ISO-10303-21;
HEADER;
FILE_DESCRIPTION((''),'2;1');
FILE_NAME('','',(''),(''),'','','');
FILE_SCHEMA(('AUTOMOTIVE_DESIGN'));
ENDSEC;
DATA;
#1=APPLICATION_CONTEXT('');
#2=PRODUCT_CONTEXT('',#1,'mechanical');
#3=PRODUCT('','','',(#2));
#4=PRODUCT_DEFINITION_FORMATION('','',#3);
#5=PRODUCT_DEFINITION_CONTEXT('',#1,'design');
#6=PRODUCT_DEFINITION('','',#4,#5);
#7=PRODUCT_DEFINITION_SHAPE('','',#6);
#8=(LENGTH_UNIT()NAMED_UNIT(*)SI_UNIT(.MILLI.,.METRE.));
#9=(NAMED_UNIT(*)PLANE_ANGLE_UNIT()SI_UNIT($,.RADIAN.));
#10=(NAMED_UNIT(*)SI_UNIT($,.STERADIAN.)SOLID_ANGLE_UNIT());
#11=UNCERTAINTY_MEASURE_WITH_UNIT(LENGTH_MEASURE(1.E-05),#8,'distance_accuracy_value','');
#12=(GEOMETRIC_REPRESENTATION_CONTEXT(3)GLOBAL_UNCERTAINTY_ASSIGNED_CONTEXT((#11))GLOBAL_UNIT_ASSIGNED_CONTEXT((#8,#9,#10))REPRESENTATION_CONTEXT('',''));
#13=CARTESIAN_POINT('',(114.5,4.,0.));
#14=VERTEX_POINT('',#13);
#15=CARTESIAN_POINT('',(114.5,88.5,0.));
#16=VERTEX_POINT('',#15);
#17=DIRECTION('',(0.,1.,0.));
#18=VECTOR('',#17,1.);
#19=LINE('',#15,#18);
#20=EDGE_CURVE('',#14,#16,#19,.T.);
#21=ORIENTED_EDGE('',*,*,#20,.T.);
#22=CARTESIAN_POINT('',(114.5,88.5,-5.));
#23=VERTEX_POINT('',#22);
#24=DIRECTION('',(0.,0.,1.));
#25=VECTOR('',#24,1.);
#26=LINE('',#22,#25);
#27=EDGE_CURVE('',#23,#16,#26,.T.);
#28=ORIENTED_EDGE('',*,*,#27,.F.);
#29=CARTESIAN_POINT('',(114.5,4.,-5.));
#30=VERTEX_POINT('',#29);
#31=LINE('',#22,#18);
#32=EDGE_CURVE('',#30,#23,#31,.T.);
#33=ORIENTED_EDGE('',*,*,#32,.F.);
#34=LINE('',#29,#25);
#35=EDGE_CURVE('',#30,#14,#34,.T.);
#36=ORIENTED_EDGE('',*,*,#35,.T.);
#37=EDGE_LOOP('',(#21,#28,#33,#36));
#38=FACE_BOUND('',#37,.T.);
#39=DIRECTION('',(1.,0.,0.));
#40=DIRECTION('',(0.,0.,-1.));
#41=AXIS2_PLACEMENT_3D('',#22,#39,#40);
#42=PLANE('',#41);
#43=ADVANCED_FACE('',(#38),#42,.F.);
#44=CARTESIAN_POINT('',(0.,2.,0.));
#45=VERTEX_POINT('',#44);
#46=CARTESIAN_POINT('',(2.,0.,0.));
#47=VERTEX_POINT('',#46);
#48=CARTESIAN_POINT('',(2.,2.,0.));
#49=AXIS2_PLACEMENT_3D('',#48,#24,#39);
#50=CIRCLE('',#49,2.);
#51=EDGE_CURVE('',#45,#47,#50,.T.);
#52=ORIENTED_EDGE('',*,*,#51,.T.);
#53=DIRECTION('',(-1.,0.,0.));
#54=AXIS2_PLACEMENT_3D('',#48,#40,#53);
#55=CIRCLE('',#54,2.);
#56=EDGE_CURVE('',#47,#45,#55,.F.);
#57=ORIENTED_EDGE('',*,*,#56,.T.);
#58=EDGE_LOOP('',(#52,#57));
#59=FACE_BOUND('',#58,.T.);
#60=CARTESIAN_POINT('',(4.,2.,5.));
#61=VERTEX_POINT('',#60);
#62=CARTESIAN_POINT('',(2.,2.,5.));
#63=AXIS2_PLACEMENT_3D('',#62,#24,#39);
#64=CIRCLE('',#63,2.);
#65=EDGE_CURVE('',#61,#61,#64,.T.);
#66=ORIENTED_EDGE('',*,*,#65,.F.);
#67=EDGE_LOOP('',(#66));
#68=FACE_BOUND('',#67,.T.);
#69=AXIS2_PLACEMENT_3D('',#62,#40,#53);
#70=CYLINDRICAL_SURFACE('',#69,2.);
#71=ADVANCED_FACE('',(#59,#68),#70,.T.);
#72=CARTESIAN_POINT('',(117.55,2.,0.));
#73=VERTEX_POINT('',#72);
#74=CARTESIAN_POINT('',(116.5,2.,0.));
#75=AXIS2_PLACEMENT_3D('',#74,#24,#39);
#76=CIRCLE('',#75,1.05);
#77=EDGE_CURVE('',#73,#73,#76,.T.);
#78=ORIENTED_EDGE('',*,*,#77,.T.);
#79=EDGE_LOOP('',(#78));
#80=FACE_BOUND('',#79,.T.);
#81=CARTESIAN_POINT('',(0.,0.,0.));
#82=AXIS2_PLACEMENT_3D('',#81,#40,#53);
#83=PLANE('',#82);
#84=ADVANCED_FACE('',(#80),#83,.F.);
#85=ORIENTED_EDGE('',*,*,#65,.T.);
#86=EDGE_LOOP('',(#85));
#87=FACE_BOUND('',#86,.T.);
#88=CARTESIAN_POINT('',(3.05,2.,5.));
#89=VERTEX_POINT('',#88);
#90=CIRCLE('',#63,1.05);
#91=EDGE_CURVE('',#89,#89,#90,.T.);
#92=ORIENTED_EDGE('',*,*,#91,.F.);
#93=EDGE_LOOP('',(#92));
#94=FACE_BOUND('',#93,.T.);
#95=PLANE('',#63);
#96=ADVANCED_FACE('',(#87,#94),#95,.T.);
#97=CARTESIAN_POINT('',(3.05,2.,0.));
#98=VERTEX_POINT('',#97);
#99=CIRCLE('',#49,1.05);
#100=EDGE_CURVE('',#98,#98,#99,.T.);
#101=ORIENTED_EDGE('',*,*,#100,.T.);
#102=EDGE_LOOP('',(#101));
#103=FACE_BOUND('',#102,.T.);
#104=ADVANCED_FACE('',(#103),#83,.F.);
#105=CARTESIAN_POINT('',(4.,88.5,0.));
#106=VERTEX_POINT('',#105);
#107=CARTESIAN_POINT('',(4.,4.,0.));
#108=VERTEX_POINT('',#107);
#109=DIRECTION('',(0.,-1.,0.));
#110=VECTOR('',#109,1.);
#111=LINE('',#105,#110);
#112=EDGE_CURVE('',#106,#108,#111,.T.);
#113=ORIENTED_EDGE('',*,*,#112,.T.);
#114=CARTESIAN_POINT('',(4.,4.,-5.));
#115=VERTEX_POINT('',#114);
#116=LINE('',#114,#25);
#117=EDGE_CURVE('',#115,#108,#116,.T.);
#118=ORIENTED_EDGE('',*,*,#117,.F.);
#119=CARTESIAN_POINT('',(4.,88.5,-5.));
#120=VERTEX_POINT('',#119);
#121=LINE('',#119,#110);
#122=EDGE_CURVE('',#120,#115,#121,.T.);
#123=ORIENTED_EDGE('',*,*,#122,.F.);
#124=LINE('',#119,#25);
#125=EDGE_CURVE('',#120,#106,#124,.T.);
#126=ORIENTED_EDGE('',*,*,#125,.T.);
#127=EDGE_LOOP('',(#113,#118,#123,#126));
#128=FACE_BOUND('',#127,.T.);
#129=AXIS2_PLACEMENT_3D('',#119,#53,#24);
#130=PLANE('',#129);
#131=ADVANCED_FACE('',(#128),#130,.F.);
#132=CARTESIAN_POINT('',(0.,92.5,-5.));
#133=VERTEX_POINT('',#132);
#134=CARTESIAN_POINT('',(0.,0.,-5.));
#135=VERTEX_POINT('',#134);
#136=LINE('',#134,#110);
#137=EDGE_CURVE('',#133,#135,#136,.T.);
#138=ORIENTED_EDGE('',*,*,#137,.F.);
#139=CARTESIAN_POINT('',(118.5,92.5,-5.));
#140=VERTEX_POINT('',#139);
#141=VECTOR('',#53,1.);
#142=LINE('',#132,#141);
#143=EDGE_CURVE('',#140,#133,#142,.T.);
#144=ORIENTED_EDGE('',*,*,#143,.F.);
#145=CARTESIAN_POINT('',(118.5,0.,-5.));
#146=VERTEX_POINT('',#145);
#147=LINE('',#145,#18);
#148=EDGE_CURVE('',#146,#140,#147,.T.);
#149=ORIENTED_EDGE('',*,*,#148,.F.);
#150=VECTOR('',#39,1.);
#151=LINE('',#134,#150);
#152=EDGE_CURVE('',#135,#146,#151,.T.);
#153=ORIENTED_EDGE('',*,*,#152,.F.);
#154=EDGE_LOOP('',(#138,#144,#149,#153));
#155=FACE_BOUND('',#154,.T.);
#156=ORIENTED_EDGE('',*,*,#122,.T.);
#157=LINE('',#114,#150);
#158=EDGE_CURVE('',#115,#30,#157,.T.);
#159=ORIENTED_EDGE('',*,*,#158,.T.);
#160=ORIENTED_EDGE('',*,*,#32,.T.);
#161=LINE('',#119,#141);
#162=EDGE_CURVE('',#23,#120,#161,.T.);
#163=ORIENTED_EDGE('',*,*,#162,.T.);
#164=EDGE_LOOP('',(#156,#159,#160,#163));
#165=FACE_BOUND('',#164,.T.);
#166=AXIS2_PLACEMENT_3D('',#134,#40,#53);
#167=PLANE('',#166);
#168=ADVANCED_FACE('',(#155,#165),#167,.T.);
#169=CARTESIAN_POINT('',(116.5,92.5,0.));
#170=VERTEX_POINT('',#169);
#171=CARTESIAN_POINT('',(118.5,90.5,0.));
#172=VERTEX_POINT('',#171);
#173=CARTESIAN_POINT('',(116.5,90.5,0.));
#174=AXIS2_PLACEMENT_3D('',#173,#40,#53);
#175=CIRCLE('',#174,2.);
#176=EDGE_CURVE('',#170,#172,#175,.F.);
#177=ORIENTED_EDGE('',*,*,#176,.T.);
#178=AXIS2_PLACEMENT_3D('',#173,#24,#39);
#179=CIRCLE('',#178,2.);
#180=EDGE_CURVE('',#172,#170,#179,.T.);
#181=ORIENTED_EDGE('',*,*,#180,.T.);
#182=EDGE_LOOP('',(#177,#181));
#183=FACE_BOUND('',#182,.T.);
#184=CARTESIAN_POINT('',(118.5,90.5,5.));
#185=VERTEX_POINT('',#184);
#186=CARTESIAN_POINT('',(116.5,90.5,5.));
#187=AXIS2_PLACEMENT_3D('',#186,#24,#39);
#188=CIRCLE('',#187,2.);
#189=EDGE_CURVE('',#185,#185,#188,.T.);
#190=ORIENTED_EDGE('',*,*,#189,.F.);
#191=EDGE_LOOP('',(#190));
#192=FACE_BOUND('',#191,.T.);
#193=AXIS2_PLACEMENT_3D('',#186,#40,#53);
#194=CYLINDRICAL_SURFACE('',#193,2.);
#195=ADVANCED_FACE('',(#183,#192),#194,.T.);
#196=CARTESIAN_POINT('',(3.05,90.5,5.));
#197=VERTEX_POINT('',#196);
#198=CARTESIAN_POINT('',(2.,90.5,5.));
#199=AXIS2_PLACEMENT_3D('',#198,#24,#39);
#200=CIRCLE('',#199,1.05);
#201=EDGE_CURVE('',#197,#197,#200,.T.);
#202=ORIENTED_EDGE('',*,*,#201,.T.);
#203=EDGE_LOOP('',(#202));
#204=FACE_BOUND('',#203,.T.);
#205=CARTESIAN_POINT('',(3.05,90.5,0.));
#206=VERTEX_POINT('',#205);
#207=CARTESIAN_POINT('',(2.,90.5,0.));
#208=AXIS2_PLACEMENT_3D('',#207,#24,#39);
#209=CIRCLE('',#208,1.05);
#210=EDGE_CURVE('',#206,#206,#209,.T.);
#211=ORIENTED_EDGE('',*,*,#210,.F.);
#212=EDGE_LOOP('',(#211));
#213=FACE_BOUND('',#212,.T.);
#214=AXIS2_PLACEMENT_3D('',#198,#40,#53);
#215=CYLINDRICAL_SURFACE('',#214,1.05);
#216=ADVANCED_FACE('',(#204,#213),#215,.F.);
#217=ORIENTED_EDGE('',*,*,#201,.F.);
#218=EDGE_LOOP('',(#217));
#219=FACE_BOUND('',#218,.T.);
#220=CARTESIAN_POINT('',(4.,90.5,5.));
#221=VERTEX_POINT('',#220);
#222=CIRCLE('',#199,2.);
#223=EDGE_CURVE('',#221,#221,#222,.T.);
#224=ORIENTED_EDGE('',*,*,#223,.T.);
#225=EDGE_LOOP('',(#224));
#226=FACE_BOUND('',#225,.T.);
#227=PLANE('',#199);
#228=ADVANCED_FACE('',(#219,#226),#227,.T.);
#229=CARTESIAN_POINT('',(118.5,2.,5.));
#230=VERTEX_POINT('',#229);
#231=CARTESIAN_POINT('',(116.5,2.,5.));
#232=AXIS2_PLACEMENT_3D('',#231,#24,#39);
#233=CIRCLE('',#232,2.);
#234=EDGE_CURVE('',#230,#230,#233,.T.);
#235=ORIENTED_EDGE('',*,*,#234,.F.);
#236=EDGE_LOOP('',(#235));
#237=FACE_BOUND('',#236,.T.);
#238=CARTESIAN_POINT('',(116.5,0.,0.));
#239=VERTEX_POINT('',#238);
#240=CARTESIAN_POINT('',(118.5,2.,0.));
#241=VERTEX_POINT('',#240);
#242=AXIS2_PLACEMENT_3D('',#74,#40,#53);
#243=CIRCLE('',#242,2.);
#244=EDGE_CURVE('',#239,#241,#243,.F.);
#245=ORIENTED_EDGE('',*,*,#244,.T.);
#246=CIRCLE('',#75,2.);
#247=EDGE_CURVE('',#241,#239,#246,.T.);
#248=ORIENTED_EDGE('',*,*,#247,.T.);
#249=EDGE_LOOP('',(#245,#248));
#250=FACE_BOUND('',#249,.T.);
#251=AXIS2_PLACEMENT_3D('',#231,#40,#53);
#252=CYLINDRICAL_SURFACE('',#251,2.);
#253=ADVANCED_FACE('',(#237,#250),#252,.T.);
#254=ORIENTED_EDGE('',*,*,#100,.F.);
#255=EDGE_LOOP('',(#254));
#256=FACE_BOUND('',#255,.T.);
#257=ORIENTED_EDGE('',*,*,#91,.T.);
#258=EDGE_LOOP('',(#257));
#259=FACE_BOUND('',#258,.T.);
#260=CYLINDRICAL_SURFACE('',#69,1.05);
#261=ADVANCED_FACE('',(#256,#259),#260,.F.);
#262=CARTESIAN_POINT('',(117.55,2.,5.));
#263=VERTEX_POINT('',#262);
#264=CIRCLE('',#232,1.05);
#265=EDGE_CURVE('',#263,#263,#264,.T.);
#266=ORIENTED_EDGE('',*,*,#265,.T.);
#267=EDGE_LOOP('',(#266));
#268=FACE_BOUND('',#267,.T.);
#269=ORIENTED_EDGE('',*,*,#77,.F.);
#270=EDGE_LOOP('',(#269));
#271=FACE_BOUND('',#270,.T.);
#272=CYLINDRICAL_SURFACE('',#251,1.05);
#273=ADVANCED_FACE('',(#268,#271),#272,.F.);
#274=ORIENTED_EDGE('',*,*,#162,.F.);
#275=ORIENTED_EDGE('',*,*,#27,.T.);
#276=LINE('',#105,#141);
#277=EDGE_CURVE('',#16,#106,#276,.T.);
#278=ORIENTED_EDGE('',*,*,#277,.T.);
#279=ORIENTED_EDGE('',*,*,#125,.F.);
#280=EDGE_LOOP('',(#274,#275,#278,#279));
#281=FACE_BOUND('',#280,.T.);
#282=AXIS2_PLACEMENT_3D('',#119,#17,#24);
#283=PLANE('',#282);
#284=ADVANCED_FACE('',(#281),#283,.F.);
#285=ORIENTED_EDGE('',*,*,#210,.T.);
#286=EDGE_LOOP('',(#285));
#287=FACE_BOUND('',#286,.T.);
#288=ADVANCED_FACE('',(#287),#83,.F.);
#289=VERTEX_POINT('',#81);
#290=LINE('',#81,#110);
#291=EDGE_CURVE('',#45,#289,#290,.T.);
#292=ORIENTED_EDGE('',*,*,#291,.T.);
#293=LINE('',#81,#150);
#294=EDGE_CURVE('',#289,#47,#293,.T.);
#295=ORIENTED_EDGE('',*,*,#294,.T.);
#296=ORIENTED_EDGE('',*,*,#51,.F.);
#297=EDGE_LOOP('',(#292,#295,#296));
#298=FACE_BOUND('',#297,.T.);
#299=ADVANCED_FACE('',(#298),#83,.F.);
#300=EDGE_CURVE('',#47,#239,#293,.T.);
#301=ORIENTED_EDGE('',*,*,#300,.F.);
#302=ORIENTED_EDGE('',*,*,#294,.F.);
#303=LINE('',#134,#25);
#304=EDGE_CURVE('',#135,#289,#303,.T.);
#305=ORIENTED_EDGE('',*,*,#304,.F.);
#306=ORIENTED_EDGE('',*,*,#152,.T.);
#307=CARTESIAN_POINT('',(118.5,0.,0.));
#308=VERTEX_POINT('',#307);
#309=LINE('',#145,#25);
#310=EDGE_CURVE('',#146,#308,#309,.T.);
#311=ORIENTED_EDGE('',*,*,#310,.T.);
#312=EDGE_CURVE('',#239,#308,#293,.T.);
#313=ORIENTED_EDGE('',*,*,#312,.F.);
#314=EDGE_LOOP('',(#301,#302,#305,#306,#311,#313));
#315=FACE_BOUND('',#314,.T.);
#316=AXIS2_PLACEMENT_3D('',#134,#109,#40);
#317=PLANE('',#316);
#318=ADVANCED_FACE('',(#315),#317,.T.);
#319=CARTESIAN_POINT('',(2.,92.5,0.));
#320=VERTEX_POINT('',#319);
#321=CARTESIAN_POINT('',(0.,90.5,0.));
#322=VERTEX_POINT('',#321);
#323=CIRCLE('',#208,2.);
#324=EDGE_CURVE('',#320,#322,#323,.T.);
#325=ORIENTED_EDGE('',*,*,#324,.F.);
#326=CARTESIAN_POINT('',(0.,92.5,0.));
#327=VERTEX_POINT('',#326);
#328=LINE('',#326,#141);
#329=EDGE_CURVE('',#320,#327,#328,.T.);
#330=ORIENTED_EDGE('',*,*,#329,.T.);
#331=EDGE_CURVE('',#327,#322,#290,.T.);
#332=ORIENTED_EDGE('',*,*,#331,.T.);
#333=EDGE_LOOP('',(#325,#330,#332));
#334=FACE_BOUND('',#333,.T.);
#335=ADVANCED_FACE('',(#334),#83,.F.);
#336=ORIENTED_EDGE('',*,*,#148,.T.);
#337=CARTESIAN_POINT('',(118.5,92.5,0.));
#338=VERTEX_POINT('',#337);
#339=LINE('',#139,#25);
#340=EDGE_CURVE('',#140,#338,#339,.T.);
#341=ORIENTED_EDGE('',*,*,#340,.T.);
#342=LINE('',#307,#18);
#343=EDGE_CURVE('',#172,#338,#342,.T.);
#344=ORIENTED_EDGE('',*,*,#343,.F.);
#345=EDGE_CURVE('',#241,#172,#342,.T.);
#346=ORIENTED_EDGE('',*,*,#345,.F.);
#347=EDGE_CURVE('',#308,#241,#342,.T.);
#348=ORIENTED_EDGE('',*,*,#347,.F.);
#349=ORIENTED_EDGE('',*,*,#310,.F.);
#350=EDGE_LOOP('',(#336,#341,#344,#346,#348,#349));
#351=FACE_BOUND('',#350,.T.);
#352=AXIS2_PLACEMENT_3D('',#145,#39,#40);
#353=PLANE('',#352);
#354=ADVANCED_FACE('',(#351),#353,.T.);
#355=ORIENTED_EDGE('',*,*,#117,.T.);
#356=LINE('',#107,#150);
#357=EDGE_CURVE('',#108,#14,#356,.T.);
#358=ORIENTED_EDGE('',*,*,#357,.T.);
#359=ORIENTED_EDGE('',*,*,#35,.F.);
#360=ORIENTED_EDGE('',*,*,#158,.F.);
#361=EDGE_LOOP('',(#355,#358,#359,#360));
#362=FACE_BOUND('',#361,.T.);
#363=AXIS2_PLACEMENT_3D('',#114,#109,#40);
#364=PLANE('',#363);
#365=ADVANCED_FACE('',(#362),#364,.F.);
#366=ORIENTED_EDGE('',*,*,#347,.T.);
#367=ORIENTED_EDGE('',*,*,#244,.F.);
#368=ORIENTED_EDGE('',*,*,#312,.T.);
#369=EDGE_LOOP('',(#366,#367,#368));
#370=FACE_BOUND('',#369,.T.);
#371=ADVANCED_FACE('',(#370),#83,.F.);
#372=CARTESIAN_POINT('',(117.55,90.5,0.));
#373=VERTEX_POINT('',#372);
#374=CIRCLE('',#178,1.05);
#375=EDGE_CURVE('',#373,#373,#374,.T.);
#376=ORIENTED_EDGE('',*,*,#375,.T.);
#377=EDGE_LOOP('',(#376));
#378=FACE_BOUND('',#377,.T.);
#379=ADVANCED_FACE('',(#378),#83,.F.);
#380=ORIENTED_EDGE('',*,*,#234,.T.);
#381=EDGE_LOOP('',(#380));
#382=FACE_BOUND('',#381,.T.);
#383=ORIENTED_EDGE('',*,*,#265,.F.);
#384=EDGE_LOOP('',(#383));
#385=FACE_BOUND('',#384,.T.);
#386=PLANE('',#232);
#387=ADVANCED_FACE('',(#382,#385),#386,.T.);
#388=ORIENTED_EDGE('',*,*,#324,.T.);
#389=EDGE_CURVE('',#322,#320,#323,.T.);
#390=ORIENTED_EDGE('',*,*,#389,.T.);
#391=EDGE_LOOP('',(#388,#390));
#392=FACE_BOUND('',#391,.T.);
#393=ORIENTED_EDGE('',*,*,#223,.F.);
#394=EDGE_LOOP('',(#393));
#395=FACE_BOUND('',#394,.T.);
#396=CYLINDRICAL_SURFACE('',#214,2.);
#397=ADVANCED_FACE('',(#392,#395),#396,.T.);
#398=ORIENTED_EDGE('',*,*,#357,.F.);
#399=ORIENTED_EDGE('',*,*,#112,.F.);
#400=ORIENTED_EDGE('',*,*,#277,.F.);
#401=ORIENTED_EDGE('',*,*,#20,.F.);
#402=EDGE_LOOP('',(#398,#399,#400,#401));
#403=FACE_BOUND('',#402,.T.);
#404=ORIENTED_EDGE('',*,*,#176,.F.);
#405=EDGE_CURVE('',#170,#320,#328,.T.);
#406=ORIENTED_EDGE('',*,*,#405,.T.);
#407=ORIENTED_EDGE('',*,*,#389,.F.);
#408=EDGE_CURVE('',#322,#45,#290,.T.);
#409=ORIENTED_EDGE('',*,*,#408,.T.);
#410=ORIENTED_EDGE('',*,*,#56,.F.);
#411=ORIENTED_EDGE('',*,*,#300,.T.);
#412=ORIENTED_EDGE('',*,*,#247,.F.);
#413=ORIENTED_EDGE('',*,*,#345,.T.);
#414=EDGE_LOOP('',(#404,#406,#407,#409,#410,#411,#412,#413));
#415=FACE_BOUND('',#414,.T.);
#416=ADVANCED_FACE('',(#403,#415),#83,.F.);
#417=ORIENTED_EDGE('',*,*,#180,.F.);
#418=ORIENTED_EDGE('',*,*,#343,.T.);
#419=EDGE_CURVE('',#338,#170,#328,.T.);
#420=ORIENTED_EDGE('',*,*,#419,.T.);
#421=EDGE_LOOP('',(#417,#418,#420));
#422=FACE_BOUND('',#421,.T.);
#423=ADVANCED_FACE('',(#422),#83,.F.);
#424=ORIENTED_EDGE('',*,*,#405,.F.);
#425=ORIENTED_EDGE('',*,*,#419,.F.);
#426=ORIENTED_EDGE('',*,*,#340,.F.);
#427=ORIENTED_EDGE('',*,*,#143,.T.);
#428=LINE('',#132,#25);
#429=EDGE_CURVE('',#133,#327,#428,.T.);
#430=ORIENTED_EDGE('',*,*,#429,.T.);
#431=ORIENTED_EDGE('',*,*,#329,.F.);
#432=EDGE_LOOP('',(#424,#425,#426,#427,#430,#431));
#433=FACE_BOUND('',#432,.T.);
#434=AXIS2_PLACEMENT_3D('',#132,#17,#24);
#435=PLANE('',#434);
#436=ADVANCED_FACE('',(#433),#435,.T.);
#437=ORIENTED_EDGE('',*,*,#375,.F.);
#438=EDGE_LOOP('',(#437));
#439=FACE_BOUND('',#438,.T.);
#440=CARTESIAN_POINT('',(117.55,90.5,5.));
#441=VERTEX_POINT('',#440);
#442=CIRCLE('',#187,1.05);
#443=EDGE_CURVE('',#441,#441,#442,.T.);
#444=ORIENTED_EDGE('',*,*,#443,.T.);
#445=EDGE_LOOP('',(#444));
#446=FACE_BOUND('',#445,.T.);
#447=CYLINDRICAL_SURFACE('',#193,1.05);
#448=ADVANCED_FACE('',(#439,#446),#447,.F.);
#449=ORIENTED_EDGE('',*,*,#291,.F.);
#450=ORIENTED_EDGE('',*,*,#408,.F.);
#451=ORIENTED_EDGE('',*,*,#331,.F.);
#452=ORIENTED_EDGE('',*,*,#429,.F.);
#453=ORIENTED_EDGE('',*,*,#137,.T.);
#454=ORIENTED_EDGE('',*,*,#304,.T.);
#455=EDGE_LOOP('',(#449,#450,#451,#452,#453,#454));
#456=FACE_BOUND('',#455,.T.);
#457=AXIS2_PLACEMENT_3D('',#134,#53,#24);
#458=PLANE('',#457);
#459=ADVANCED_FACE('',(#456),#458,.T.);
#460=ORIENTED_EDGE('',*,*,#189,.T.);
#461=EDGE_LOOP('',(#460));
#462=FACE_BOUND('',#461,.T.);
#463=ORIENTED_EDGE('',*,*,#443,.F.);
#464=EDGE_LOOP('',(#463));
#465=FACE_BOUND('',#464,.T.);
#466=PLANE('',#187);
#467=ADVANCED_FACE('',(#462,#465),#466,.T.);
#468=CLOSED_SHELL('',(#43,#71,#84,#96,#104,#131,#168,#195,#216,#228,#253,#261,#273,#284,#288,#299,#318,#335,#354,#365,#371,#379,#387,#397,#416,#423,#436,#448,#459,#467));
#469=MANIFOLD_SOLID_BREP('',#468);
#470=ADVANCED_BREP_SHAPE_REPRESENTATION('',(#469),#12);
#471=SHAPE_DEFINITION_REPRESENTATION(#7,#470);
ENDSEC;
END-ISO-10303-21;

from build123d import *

# Parameters (mm, degrees)
SKETCH1_W           = 118.5
SKETCH1_H           = 92.5
SKETCH1_W_2         = 110.5
SKETCH1_H_2         = 84.5
BOSS_EXTRUDE1_DEPTH = 5
SKETCH2_R           = 2
SKETCH2_R_2         = 1.05
BOSS_EXTRUDE2_DEPTH = 5


with BuildPart() as part:
    # Sketch1 → Boss-Extrude1 (new body)
    with BuildSketch(Plane.XY):
        with Locations((59.25, 46.25)):
            Rectangle(SKETCH1_W, SKETCH1_H)
        with Locations((59.25, 46.25)):
            Rectangle(SKETCH1_W_2, SKETCH1_H_2, mode=Mode.SUBTRACT)
    extrude(amount=-BOSS_EXTRUDE1_DEPTH)

    # Sketch2 → Boss-Extrude2 (add)
    # profile 1 of 4: a face of its own
    with BuildSketch(Plane.XY):
        with Locations(Location((2, 90.5, 0), (0, 0, 180))):
            Circle(SKETCH2_R)
        with Locations((2, 90.5)):
            Circle(SKETCH2_R_2, mode=Mode.SUBTRACT)
    # profile 2 of 4: a face of its own
    with BuildSketch(Plane.XY):
        with Locations((116.5, 90.5)):
            Circle(SKETCH2_R)
        with Locations((116.5, 90.5)):
            Circle(SKETCH2_R_2, mode=Mode.SUBTRACT)
    # profile 3 of 4: a face of its own
    with BuildSketch(Plane.XY):
        with Locations((116.5, 2)):
            Circle(SKETCH2_R)
        with Locations((116.5, 2)):
            Circle(SKETCH2_R_2, mode=Mode.SUBTRACT)
    # profile 4 of 4: a face of its own
    with BuildSketch(Plane.XY):
        with Locations(Location((2, 2, 0), (0, 0, 180))):
            Circle(SKETCH2_R)
        with Locations((2, 2)):
            Circle(SKETCH2_R_2, mode=Mode.SUBTRACT)
    extrude(amount=BOSS_EXTRUDE2_DEPTH)


solid = part.part
